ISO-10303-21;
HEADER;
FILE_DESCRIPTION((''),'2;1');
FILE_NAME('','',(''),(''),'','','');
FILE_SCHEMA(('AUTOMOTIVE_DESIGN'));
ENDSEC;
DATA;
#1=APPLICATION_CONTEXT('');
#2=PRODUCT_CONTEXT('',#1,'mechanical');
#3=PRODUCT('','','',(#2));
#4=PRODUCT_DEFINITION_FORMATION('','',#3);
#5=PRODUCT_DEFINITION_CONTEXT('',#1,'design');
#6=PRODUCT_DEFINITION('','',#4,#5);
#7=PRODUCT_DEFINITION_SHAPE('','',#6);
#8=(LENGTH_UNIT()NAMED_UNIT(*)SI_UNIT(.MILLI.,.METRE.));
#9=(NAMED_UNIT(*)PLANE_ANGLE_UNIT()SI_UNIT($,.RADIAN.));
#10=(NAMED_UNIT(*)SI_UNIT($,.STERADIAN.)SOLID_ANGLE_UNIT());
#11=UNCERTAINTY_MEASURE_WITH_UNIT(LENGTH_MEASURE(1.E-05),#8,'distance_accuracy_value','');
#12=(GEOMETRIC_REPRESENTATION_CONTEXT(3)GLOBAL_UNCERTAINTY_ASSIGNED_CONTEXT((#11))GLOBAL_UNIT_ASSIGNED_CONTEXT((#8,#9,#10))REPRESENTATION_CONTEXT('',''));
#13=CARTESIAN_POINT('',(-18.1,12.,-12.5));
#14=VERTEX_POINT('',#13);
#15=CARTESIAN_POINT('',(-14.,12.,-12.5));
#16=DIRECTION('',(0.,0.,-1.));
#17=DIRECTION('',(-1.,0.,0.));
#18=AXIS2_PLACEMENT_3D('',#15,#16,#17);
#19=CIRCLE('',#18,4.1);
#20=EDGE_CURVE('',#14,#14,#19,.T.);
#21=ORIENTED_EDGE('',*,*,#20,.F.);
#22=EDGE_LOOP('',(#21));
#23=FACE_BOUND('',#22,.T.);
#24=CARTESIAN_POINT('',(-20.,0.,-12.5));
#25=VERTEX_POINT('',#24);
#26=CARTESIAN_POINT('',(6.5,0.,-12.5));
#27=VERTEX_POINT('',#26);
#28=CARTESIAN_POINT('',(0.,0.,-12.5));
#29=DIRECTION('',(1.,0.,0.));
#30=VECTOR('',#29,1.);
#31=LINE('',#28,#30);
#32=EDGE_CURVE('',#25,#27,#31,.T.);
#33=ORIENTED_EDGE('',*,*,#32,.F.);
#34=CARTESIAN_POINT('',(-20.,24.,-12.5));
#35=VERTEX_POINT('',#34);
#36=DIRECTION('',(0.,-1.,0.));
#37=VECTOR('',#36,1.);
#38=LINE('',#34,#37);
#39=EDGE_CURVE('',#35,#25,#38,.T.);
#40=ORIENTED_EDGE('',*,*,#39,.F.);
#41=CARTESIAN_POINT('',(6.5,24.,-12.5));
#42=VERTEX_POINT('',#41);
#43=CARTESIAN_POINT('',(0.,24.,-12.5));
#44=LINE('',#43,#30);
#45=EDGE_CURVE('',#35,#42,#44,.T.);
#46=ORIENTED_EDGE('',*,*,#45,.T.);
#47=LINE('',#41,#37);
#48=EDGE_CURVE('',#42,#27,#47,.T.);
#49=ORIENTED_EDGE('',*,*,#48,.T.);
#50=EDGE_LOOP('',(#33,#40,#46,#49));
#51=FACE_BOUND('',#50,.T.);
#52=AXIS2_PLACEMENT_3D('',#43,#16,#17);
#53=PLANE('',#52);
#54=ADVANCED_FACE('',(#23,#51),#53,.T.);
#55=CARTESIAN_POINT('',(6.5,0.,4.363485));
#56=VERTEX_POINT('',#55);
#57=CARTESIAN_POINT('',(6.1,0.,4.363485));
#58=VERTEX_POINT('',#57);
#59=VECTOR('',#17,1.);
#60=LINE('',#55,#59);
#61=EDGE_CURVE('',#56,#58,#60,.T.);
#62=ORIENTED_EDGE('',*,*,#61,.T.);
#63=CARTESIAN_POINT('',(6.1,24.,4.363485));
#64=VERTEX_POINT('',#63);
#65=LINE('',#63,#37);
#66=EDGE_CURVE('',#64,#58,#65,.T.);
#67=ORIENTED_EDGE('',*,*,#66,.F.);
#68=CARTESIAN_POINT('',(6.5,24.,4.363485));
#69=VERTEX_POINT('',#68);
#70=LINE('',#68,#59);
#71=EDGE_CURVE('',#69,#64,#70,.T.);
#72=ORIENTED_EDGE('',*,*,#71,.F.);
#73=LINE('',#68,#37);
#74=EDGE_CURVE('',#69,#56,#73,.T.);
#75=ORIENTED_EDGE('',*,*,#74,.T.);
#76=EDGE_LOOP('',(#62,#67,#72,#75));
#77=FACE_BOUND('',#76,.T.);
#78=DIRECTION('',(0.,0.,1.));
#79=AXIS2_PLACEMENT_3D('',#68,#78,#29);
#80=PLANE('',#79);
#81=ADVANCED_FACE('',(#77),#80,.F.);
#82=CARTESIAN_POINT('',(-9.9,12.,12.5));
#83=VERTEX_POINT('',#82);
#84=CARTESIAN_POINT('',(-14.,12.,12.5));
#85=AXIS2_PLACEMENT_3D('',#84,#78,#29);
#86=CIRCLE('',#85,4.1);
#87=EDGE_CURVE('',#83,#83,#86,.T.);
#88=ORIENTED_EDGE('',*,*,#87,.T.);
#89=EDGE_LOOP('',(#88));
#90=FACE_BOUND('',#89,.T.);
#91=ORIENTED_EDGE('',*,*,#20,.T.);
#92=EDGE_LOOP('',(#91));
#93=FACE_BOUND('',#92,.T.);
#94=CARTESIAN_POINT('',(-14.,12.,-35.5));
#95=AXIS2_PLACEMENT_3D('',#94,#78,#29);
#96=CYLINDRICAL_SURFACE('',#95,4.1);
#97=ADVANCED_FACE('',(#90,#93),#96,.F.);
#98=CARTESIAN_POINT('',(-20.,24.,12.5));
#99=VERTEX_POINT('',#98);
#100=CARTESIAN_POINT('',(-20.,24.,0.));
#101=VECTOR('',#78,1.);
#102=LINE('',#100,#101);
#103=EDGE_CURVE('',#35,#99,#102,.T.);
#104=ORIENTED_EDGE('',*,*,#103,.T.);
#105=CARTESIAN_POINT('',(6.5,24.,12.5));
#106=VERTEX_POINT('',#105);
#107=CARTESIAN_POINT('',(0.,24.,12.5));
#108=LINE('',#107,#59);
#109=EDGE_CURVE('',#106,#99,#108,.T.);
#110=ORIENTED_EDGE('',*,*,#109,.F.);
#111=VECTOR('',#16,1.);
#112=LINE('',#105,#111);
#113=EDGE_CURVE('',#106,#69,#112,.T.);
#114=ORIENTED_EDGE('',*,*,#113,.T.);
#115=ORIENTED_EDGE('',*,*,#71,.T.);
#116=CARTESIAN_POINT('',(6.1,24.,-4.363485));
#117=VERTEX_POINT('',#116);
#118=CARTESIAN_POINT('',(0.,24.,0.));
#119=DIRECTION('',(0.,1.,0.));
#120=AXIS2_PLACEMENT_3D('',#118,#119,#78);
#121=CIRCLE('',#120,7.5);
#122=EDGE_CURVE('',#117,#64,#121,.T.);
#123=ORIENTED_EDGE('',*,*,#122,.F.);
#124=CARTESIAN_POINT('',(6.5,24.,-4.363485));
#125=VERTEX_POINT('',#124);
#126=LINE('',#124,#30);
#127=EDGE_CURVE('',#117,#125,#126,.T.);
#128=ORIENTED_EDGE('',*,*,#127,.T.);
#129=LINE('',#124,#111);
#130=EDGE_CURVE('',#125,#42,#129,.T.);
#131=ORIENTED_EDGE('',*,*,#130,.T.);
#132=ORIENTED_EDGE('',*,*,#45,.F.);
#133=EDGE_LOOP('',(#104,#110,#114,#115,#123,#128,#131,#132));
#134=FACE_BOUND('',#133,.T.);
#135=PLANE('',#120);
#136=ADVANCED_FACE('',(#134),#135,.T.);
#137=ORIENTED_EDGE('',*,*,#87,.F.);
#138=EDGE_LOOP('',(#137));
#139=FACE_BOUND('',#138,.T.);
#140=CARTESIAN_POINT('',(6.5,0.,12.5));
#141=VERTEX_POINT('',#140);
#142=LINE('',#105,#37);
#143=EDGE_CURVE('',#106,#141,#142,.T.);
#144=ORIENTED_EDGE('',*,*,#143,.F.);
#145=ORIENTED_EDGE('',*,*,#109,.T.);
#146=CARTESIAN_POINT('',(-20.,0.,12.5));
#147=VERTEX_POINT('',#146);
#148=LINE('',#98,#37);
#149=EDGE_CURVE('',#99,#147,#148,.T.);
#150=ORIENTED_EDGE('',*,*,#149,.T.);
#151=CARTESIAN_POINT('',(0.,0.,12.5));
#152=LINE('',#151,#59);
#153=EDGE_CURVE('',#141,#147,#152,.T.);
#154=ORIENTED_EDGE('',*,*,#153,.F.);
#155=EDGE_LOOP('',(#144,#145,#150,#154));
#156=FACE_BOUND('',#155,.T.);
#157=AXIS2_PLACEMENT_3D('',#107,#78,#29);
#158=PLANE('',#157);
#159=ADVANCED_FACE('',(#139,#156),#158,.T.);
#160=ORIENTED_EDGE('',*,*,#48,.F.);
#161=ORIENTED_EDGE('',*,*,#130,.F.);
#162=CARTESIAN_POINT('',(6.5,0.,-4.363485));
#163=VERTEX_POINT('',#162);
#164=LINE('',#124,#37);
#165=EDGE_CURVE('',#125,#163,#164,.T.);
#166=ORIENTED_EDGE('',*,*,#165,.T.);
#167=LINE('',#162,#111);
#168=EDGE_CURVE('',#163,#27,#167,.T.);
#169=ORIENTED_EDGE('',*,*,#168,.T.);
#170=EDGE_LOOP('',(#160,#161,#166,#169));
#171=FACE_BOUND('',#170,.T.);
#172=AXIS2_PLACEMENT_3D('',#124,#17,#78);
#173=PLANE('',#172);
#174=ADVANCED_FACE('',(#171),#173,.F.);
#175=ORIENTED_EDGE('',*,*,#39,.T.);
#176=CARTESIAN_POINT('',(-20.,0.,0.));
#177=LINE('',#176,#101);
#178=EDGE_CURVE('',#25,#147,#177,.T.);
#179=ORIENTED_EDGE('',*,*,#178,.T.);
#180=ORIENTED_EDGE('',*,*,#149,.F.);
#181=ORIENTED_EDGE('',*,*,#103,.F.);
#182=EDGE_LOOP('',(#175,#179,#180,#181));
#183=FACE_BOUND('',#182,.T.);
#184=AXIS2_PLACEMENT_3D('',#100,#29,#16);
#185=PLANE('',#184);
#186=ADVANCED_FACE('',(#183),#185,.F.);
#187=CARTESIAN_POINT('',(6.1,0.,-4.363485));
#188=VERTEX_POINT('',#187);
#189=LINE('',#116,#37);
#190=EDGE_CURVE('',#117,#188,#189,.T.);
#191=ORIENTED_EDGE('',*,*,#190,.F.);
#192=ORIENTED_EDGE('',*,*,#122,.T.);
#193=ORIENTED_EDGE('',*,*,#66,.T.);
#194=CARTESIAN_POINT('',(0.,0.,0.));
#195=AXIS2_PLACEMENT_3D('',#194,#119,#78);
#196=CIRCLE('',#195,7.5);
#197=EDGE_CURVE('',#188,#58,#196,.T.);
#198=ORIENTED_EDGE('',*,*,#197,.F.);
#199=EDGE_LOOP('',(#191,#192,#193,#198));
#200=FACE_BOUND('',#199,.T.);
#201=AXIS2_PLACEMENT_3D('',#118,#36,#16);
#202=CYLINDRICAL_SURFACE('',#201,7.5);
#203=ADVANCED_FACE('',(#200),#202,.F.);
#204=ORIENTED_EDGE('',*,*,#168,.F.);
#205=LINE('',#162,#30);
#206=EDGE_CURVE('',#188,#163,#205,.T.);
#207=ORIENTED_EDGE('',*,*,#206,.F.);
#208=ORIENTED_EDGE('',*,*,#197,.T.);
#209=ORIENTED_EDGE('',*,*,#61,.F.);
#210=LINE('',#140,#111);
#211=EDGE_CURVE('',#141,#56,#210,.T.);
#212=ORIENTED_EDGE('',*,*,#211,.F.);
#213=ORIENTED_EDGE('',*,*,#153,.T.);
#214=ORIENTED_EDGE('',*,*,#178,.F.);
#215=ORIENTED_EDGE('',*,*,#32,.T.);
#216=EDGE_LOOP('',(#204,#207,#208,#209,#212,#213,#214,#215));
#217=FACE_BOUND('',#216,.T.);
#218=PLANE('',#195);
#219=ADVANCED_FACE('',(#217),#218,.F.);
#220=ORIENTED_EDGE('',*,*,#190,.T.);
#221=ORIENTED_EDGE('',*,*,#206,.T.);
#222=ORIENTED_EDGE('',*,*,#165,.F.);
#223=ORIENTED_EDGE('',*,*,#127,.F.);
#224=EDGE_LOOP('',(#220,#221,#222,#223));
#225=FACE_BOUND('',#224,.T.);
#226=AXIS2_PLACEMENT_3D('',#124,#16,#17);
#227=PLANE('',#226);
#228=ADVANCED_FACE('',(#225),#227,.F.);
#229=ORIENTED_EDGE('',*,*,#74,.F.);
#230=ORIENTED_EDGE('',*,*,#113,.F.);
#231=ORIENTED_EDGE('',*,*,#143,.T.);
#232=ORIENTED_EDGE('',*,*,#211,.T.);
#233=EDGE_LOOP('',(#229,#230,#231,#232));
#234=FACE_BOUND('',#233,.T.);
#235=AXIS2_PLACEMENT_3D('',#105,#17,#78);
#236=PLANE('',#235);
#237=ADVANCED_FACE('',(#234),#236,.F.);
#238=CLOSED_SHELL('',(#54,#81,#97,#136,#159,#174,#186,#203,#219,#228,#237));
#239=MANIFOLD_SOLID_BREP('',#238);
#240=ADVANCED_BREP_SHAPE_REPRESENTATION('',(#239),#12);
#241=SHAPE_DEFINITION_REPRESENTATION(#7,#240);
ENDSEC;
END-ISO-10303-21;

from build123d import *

# Parameters (mm, degrees)
SKETCH1_W           = 22.5
SKETCH1_H           = 25
SKETCH1_R           = 7.5
BOSS_EXTRUDE1_DEPTH = 24
CUT_EXTRUDE4_DEPTH  = 30.807717122
SKETCH7_W           = 10
SKETCH7_H           = 25
BOSS_EXTRUDE2_DEPTH = 24
SKETCH8_R           = 4.1
CUT_EXTRUDE5_DEPTH  = 48


with BuildPart() as part:
    # Sketch1 → Boss-Extrude1 (new body)
    with BuildSketch(Plane(origin=(0, 0, 0), x_dir=(1, 0, 0), z_dir=(0, 1, 0))):
        with Locations((1.25, 0)):
            Rectangle(SKETCH1_W, SKETCH1_H)
        with Locations(Location((0, 0, 0), (0, 0, 270))):
            Circle(SKETCH1_R, mode=Mode.SUBTRACT)
    extrude(amount=BOSS_EXTRUDE1_DEPTH)

    # Sketch5 → Cut-Extrude4 (cut, through all)
    with BuildSketch(Plane.XZ):
        Polygon((12.5, 12.5), (6.5, 12.5), (6.5, 4.363484846), (6.1, 4.363484846), (6.1, -4.363484846), (6.5, -4.363484846), (6.5, -12.5), (12.5, -12.5), align=None)
    extrude(amount=-CUT_EXTRUDE4_DEPTH, mode=Mode.SUBTRACT)

    # Sketch7 → Boss-Extrude2 (add)
    with BuildSketch(Plane.XZ):
        with Locations((-15, 0)):
            Rectangle(SKETCH7_W, SKETCH7_H)
    extrude(amount=-BOSS_EXTRUDE2_DEPTH)

    # Sketch8 → Cut-Extrude5 (cut)
    with BuildSketch(Plane.XY.offset(12.5)):
        with Locations((-14, 12)):
            Circle(SKETCH8_R)
    extrude(amount=-CUT_EXTRUDE5_DEPTH, mode=Mode.SUBTRACT)


solid = part.part
